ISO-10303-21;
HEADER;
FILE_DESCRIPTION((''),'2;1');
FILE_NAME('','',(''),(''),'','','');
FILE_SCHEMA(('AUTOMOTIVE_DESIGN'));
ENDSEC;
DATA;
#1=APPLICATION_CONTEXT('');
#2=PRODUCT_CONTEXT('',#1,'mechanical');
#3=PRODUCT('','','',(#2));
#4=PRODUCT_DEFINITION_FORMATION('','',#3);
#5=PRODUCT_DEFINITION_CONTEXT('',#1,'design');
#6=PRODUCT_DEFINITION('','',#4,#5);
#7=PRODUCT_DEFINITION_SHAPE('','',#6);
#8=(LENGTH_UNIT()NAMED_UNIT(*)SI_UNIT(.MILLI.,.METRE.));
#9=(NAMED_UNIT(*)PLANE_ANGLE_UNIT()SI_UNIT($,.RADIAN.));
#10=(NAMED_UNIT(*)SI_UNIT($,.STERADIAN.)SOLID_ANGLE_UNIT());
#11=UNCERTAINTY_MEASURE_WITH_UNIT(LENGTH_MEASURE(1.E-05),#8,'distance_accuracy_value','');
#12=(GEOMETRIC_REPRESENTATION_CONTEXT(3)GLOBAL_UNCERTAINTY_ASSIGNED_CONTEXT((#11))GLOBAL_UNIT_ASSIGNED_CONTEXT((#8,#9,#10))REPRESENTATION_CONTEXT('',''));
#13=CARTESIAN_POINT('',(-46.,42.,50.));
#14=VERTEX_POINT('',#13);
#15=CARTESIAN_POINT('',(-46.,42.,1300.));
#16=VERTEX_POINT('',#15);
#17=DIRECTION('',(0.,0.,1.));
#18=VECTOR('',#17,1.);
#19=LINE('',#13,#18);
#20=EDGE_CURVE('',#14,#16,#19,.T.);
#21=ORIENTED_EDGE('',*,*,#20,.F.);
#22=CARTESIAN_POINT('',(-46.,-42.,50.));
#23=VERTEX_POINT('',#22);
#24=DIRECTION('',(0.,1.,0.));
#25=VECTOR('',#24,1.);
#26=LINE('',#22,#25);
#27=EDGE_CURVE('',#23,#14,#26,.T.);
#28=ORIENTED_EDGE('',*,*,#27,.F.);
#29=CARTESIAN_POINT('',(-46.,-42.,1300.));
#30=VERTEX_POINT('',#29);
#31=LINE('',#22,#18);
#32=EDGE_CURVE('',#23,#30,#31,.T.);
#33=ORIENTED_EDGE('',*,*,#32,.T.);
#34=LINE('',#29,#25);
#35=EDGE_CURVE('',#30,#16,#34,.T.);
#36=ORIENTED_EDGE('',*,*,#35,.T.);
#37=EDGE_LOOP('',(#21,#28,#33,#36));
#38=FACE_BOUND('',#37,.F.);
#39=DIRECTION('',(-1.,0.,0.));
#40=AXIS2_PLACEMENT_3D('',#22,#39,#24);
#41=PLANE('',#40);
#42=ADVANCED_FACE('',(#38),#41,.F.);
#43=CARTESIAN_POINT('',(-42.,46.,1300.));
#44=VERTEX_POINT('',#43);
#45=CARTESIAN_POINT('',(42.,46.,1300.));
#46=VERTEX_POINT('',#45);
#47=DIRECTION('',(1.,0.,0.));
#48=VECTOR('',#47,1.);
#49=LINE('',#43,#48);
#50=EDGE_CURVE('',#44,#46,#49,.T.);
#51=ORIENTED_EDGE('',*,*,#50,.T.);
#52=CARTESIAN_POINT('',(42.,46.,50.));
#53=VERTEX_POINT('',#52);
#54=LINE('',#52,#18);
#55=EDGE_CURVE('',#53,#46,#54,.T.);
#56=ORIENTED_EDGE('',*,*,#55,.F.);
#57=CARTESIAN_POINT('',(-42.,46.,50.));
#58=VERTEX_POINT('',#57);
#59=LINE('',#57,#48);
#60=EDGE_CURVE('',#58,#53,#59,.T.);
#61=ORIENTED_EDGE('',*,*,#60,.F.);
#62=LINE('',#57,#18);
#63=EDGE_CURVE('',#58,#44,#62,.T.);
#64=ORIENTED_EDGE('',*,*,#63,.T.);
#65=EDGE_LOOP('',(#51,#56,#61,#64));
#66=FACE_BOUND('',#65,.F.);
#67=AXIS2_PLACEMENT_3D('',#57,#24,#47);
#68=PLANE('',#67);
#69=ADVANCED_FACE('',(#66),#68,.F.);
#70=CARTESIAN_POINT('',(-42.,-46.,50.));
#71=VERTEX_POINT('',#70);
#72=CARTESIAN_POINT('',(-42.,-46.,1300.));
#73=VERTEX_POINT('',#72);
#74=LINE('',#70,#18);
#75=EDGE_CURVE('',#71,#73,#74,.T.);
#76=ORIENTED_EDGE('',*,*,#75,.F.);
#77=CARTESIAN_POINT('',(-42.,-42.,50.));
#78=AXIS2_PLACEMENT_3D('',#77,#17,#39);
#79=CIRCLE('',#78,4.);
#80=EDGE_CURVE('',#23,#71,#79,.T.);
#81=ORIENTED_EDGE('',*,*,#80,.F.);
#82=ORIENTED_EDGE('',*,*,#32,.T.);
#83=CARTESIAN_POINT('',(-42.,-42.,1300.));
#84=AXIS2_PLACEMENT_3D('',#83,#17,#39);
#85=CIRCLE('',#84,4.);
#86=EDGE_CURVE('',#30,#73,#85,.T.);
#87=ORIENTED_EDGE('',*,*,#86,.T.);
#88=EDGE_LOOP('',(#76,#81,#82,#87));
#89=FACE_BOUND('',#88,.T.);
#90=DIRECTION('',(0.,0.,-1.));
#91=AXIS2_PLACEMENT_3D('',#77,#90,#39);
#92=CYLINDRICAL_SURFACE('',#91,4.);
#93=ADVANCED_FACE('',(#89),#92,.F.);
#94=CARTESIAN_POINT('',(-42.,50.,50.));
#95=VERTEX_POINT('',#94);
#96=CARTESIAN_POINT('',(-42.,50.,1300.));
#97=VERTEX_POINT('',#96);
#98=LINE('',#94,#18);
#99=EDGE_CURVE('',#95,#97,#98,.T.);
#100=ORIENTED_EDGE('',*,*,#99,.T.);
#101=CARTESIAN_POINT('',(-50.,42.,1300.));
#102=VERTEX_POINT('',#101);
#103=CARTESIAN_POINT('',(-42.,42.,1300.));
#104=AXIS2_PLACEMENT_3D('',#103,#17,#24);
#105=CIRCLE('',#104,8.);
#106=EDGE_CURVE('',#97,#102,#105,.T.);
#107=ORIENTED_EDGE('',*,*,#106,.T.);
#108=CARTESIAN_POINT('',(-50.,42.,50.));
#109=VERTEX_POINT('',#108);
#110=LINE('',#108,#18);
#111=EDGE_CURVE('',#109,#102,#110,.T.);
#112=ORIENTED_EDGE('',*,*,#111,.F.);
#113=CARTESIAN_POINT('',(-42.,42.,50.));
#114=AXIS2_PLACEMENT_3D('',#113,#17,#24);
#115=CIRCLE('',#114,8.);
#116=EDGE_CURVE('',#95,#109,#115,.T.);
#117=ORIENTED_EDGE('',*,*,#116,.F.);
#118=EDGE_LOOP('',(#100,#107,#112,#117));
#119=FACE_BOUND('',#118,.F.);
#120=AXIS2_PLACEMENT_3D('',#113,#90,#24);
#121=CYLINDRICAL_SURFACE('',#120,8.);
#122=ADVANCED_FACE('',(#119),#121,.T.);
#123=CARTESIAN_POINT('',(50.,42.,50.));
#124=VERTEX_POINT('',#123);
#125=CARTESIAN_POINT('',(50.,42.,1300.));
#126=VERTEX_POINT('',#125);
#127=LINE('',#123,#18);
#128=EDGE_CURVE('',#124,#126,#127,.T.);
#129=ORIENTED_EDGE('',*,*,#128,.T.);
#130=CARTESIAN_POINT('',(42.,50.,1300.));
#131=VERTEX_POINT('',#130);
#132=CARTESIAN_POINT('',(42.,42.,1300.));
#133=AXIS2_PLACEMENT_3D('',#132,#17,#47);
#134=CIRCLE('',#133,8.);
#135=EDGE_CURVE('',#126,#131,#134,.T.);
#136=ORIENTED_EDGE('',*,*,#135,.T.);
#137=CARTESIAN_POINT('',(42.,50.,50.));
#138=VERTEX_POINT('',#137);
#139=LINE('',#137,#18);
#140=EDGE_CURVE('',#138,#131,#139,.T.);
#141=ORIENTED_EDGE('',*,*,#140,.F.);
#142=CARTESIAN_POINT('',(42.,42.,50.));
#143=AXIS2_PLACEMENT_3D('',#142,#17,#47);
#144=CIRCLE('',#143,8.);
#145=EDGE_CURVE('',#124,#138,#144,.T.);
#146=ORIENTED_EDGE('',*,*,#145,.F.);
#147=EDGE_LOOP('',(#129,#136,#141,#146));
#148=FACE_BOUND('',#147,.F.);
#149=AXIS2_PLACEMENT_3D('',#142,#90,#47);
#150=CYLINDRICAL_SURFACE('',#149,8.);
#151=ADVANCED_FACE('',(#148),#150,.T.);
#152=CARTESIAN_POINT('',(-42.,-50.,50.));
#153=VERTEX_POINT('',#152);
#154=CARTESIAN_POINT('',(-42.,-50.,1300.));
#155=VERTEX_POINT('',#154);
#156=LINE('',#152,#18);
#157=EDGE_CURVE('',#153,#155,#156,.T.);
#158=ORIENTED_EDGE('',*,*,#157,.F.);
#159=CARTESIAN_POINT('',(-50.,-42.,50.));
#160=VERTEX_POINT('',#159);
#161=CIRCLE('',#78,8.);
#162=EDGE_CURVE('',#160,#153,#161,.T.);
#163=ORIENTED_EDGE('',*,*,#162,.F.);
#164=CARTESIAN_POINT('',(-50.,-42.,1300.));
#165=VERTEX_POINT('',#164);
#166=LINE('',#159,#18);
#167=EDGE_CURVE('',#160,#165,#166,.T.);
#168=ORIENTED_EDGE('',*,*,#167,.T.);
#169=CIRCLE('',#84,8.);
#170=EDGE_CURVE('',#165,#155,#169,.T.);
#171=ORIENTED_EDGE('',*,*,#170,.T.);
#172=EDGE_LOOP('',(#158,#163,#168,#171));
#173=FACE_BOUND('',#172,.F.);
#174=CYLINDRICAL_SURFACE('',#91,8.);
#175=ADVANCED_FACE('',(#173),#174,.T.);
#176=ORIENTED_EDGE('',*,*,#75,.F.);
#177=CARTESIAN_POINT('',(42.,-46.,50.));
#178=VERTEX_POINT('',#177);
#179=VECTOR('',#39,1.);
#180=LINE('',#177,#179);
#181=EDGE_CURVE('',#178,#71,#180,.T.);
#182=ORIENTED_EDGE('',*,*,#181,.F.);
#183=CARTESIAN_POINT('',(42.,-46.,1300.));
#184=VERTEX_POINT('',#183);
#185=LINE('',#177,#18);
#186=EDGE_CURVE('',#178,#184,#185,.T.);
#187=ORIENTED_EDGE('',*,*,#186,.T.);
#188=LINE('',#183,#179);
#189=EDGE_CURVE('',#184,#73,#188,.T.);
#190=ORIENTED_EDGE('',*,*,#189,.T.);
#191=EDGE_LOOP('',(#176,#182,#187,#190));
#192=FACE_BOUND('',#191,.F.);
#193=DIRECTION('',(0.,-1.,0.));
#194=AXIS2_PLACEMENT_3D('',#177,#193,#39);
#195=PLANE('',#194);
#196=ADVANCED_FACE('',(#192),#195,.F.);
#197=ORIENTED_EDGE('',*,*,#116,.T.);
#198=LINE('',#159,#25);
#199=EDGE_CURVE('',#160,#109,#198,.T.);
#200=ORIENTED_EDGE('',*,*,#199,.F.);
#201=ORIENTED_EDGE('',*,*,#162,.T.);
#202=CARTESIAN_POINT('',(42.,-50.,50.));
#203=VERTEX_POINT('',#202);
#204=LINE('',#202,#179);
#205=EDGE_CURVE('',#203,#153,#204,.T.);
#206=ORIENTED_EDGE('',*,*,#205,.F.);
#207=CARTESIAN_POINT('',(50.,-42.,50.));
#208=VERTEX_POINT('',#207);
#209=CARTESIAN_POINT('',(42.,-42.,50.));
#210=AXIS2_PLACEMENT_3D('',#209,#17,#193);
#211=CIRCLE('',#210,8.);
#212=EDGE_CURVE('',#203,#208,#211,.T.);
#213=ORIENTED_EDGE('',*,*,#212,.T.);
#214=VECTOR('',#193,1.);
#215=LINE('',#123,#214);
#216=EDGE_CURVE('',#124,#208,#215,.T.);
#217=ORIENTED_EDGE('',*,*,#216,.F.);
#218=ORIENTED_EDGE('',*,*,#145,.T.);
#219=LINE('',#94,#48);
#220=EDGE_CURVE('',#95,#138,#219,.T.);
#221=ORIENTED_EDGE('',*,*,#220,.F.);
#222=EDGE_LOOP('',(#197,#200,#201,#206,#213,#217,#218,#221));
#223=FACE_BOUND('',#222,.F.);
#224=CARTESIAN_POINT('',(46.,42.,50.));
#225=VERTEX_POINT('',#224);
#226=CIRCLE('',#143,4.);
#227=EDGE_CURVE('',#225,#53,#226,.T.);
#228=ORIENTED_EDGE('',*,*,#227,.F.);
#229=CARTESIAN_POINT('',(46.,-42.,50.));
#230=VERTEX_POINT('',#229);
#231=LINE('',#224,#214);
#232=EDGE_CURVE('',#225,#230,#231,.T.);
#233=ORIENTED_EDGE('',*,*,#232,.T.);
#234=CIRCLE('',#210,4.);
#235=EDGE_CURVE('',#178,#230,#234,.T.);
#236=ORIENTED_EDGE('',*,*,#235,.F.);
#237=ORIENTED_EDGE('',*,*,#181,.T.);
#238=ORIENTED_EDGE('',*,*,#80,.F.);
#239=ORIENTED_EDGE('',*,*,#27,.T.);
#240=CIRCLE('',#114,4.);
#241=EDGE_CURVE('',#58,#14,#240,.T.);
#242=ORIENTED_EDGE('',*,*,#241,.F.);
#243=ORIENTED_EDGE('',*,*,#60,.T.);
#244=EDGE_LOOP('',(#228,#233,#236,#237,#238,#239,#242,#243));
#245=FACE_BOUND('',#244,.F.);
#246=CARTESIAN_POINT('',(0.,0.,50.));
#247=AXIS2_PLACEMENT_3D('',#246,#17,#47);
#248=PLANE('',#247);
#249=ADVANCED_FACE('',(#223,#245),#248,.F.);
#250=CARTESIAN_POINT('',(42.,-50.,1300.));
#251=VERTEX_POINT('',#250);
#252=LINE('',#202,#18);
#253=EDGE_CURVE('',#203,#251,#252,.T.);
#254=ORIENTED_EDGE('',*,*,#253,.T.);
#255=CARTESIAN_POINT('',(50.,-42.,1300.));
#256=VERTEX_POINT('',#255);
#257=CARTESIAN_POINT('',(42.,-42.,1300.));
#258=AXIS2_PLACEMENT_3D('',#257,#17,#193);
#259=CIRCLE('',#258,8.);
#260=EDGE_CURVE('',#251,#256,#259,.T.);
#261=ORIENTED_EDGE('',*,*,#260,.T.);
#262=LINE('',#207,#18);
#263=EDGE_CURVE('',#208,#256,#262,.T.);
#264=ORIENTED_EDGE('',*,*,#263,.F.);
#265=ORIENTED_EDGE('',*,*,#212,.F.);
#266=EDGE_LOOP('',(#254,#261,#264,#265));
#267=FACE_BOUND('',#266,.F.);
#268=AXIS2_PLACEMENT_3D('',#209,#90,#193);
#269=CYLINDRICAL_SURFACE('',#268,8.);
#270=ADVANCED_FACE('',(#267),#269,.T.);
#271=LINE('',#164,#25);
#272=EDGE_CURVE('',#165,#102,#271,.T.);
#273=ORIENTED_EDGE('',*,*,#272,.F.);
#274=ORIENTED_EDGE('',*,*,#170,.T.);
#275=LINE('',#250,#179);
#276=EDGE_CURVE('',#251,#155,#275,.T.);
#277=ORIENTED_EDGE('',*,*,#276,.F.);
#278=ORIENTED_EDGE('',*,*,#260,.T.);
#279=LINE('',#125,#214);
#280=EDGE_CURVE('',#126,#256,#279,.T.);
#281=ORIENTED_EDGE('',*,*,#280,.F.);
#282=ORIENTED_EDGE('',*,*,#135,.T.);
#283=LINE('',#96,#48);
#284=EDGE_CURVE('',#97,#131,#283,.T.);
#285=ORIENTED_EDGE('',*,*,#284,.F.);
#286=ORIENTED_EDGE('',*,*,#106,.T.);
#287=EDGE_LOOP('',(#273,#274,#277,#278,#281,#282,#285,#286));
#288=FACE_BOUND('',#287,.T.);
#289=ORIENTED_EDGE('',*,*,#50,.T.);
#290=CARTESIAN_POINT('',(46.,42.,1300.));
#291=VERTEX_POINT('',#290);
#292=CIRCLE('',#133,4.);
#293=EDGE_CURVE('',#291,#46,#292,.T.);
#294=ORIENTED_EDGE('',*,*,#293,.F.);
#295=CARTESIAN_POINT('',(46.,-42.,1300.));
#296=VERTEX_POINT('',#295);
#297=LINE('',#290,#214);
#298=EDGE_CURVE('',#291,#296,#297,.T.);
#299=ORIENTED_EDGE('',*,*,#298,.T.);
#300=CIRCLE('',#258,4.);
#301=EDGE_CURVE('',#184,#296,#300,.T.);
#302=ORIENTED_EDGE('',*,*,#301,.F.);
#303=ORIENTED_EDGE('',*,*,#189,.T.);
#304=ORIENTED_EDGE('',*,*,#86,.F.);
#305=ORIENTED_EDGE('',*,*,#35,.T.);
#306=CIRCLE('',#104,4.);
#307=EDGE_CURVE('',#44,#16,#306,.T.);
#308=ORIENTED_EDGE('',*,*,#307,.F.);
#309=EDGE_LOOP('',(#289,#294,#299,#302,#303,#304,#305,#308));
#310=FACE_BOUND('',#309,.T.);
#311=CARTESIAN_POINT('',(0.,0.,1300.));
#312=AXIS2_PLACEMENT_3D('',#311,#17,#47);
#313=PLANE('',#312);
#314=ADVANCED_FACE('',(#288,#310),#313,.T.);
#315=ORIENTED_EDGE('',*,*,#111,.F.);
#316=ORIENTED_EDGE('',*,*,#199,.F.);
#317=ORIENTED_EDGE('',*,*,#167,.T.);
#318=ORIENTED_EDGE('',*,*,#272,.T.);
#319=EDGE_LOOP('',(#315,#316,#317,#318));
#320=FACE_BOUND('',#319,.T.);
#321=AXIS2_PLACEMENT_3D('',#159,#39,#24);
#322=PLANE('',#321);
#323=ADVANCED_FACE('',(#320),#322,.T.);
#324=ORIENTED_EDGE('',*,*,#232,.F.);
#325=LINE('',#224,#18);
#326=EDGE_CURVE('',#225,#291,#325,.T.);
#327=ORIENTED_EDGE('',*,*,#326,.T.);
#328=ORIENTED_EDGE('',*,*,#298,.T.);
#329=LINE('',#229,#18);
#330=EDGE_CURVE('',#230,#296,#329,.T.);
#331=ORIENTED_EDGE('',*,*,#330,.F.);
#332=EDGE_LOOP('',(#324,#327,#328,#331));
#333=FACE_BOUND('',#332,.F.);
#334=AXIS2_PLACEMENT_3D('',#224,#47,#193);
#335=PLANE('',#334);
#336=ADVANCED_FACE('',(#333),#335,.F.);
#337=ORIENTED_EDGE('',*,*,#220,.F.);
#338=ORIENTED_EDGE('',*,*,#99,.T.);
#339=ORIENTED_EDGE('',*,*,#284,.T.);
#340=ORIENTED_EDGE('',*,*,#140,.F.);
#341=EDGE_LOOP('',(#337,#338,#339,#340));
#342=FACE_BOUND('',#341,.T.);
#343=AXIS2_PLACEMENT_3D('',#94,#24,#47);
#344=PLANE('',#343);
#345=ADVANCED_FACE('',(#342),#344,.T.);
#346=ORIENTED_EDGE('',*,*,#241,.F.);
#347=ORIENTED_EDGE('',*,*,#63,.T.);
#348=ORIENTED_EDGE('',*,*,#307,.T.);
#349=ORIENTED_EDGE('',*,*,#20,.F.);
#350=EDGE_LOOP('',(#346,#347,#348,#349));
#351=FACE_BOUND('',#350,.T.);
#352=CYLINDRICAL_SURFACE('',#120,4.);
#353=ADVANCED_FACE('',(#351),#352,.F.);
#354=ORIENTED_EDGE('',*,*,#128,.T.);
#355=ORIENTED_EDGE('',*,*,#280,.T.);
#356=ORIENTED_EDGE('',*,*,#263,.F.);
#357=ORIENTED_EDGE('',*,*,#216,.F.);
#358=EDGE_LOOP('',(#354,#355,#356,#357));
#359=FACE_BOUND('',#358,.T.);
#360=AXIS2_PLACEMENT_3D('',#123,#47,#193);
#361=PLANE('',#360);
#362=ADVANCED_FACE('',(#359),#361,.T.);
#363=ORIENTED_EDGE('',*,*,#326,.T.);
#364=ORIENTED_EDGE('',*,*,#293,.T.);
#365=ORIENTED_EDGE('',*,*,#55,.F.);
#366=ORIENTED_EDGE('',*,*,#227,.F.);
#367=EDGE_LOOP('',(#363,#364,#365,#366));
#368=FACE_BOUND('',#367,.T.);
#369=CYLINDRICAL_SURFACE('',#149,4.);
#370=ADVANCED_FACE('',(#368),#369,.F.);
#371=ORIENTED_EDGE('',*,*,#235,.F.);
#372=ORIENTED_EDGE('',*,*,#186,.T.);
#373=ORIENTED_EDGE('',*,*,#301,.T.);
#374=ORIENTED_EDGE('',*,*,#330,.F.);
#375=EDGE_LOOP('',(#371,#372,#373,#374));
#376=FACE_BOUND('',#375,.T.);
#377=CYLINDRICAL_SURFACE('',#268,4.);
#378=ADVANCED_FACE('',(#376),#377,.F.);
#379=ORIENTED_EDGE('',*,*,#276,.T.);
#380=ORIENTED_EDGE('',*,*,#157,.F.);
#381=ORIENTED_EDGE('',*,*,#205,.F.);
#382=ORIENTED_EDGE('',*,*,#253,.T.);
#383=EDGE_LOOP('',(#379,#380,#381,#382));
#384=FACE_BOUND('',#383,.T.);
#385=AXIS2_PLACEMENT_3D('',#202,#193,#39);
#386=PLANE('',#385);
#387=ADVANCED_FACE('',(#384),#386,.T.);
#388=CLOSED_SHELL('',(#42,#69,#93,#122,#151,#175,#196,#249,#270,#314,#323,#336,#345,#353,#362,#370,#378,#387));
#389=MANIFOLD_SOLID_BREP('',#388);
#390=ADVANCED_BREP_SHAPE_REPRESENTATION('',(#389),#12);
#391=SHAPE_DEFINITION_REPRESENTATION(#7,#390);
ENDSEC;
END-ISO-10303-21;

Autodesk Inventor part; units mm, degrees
ref_plane "YZ Plane" through (0, 0, 0) normal (1, 0, 0) x (0, 1, 0)
ref_plane "Start Plane" through (0, 0, 50) normal (0, 0, 1) x (1, 0, 0)
ref_plane "End Plane" through (0, 0, 1300) normal (0, 0, 1) x (1, 0, 0)
sketch "Sketch" plane through (0, 0, 0) normal (0, 0, 1) x (1, 0, 0)
  line L0 (-50, -42) -> (-50, 42)
  line L1 (-42, 50) -> (42, 50)
  line L2 (50, 42) -> (50, -42)
  line L3 (42, -50) -> (-42, -50)
  arc A0 (-50, -42) -> (-42, -50) centre (-42, -42) ccw
  arc A1 (50, 42) -> (42, 50) centre (42, 42) ccw
  arc A2 (-42, 50) -> (-50, 42) centre (-42, 42) ccw
  arc A3 (42, -50) -> (50, -42) centre (42, -42) ccw
  arc A4 (-42, 46) -> (-46, 42) centre (-42, 42) ccw
  line L4 (-42, 46) -> (42, 46)
  arc A5 (46, 42) -> (42, 46) centre (42, 42) ccw
  line L5 (46, 42) -> (46, -42)
  arc A6 (42, -46) -> (46, -42) centre (42, -42) ccw
  line L6 (42, -46) -> (-42, -46)
  arc A7 (-46, -42) -> (-42, -46) centre (-42, -42) ccw
  line L7 (-46, -42) -> (-46, 42)
  line L8 (0, 72.3196) -> (0, -72.3196) construction
  line L9 (-72.3196, 0) -> (72.3196, 0) construction
  dimension "d7" = 8
  dimension "d9" = 100
  dimension "d11" = 100
  dimension "d12" = 4
  dimension "d15" = 50
  dimension "d16" = 50
extrude "Body" add sketch "Sketch" along normal up to surface (1250 mm away) from surface at 50
sketch "Sketch3" plane through (0, 0, 0) normal (0, 0, 1) x (1, 0, 0)
  line L0 (0, 0) -> (10, 0)
ref_plane "Work Plane3" through (0, 0, 0) normal (0, -1, 0) x (1, 0, 0)
sketch "Sketch4" plane through (0, 0, 0) normal (0, -1, 0) x (1, 0, 0)
  line L0 (-2, 50) -> (12, 50) projected
  line L1 (-2, 1300) -> (12, 1300) projected
  dimension "d18" = 1250
equation "\"d7\" = G_IR"
equation "\"d9\" = G_W"
equation "\"d11\" = G_H"
equation "\"d12\" = G_T"
equation "\"d15\" = 0.5 * d9"
equation "\"d16\" = 0.5 * d11"
equation "\"d3\" = G_L"
equation "\"G_W\" = 100"
equation "\"G_H\" = 100"
equation "\"G_T\" = 4"
equation "\"G_IR\" = 8"
equation "\"G_L\" = d18"
properties part number "ISO 10799-2 - 100x100x4 - 1250" material "Steel, Mild"
